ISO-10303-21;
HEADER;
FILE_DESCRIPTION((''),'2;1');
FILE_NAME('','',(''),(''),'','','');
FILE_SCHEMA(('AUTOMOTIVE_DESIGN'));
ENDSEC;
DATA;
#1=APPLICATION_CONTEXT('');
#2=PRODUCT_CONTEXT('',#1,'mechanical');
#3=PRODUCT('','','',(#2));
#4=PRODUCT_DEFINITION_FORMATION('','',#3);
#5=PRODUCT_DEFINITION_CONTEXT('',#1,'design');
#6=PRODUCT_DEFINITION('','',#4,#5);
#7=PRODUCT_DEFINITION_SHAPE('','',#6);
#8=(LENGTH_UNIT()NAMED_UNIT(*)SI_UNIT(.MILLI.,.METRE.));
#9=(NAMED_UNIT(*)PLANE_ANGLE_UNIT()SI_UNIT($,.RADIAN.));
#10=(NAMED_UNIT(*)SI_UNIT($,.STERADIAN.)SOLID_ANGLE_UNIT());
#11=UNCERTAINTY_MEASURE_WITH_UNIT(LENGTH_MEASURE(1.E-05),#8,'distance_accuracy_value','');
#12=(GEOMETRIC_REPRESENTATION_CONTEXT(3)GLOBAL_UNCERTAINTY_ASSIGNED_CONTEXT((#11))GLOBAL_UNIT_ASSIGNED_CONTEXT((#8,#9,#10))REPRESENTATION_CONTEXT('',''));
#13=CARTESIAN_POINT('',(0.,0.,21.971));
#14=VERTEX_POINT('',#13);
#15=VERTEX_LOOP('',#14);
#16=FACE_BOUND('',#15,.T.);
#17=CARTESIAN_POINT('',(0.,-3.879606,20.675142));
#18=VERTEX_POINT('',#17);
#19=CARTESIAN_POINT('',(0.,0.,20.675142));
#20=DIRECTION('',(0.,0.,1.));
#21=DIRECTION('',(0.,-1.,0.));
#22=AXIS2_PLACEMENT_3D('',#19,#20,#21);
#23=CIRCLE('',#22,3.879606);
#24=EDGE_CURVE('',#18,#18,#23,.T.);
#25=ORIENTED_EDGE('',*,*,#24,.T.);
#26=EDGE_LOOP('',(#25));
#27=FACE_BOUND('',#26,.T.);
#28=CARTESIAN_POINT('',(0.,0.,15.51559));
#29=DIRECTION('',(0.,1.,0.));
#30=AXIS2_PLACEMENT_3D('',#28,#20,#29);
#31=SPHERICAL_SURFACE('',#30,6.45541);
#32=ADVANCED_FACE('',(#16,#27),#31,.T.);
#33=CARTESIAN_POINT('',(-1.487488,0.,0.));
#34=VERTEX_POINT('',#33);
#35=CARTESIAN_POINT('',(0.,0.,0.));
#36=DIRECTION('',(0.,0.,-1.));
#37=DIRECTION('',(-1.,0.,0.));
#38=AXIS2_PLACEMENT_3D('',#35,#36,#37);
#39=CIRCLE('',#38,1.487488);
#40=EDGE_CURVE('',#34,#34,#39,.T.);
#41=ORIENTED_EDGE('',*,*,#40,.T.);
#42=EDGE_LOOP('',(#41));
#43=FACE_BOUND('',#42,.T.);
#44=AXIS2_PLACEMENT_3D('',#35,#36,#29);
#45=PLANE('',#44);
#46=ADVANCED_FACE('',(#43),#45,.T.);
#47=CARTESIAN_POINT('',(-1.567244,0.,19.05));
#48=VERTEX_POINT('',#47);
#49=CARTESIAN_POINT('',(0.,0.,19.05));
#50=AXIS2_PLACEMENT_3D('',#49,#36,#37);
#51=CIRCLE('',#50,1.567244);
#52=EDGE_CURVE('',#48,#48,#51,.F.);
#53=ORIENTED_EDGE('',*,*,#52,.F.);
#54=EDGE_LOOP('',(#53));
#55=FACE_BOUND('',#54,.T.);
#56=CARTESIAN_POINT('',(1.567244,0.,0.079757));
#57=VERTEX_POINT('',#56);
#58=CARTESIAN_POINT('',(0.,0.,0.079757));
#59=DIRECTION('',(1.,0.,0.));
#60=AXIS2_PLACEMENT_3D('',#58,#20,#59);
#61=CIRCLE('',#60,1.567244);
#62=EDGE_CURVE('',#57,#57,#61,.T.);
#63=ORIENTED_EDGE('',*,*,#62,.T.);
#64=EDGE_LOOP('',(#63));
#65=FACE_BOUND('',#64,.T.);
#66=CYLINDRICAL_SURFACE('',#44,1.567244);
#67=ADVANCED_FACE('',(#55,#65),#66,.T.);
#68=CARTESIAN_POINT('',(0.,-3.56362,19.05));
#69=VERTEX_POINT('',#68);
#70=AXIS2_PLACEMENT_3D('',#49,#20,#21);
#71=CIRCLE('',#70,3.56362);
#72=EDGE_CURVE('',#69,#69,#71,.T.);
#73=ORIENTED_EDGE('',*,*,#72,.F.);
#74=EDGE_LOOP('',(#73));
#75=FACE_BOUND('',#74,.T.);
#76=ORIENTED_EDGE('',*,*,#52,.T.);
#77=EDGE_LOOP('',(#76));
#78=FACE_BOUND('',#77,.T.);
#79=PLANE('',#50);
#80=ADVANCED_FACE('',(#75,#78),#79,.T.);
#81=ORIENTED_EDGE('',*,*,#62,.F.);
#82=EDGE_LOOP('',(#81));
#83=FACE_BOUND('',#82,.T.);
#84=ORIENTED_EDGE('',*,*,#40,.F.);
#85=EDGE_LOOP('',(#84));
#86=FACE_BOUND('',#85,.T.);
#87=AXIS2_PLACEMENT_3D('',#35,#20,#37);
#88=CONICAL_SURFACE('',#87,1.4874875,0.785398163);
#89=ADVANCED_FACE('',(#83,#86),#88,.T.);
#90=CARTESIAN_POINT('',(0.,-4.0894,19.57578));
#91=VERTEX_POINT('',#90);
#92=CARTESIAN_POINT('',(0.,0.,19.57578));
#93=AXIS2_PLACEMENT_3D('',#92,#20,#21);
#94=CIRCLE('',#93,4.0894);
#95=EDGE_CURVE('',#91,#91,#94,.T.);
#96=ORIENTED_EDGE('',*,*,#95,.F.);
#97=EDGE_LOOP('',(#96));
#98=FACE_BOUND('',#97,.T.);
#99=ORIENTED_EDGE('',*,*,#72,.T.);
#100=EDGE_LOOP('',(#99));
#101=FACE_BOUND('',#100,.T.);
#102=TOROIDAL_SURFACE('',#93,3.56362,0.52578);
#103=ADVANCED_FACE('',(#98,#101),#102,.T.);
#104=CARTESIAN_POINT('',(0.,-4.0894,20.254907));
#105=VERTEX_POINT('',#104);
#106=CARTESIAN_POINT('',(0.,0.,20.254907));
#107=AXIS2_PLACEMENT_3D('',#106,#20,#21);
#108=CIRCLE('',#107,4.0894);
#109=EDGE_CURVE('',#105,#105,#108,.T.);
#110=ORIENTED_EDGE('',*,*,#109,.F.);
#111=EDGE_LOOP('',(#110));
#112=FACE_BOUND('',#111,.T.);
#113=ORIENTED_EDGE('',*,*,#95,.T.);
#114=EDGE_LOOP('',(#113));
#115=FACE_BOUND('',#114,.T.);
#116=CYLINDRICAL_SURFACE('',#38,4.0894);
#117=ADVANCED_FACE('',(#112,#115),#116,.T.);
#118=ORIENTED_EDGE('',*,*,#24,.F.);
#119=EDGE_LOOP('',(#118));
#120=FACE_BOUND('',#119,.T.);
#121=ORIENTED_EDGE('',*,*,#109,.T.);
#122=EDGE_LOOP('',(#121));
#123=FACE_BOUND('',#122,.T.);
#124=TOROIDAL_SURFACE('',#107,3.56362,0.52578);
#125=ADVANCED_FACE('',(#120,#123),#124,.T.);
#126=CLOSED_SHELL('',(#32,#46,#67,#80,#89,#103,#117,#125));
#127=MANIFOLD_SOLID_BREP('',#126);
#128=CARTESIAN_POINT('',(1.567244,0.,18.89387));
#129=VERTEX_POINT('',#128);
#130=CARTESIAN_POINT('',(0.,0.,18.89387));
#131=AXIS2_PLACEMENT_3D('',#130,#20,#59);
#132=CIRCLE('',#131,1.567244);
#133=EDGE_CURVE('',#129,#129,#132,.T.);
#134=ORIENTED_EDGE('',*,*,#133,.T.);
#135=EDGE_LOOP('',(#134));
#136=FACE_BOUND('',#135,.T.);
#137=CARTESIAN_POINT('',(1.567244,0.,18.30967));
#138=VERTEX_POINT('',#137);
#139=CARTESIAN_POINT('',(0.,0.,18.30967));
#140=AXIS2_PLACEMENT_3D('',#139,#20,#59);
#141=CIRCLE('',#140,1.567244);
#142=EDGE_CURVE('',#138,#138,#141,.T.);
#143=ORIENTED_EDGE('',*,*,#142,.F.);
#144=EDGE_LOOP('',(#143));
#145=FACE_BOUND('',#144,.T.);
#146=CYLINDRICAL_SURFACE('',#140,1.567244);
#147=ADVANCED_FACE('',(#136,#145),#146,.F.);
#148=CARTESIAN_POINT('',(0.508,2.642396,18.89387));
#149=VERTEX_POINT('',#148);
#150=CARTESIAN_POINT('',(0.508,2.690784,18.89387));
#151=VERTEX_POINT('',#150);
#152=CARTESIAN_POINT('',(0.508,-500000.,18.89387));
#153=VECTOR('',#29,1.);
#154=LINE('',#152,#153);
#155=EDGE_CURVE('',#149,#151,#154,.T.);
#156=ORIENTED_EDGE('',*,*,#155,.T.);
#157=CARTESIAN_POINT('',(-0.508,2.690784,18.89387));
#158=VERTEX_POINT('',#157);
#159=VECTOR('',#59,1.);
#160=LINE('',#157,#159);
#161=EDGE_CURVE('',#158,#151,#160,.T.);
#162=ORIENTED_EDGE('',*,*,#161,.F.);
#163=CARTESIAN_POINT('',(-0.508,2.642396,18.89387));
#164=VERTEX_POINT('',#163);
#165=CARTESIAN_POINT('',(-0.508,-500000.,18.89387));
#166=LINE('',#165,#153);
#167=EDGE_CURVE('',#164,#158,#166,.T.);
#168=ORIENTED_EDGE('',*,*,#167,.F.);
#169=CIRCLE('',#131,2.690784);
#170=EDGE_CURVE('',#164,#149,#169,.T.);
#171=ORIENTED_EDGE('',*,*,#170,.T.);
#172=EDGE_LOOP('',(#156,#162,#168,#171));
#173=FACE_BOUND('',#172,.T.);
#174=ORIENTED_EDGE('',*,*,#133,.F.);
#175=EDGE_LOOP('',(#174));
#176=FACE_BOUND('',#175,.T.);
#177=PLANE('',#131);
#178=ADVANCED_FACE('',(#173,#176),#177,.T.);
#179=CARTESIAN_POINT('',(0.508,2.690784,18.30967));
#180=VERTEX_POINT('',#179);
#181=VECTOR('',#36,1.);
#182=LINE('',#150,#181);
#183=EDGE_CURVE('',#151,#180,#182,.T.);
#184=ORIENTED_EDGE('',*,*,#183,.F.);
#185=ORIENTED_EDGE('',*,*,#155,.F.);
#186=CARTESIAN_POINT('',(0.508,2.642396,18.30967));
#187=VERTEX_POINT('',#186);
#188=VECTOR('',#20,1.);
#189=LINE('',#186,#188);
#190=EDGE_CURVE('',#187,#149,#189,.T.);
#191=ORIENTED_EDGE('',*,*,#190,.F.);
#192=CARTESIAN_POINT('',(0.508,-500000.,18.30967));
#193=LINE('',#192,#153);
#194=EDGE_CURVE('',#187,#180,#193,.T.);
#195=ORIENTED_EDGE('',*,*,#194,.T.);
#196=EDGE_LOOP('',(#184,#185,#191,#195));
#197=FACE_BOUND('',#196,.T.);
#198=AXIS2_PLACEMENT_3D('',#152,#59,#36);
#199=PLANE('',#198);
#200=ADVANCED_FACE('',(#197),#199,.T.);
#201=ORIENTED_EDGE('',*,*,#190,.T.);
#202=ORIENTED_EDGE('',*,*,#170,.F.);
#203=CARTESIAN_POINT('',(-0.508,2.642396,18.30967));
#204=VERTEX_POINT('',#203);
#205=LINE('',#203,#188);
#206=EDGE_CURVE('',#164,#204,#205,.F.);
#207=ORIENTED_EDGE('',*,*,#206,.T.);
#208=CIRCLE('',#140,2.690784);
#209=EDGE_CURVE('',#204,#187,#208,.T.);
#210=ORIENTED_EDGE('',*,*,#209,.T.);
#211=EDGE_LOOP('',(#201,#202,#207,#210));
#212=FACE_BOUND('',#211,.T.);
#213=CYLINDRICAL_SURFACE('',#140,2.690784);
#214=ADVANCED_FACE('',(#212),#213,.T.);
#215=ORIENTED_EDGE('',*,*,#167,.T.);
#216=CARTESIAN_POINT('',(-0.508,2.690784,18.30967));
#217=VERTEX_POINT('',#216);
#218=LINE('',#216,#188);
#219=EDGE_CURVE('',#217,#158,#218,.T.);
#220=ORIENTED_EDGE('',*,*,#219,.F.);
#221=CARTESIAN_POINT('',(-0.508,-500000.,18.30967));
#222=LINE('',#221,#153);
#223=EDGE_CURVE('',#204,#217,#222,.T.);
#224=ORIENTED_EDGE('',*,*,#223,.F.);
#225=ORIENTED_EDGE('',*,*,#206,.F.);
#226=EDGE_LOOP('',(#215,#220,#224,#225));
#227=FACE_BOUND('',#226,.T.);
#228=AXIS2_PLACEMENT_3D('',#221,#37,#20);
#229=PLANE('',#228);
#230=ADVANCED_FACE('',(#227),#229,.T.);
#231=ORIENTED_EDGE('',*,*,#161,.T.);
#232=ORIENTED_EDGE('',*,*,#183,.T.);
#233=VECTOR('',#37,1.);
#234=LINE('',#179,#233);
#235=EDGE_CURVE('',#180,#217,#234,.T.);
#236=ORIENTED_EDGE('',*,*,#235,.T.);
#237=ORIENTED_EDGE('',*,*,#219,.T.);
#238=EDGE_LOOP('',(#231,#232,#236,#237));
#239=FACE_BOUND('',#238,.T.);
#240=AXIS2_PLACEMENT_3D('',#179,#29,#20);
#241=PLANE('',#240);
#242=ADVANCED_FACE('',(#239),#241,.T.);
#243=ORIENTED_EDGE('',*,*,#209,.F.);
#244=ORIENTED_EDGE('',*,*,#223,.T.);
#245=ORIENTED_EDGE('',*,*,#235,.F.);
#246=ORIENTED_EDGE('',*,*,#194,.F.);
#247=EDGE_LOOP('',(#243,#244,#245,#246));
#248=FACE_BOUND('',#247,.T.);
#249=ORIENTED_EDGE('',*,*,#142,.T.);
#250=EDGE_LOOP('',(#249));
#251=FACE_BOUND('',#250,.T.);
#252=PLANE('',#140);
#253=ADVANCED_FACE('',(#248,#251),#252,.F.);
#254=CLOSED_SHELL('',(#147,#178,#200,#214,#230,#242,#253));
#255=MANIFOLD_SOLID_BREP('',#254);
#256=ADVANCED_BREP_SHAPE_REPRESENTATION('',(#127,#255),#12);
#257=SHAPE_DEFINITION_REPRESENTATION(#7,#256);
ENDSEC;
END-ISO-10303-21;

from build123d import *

# Parameters (mm, degrees)
SKETCH3_W           = 19.05
SKETCH3_H           = 1.567244252
SKETCH38_OUTSIDE_W  = 49.402
SKETCH38_OUTSIDE_H  = 49.402
SKETCH38_OUTSIDE_R  = 1.4874875
EXTRUDE6_DEPTH      = 20.178503828
EXTRUDE6_DRAFT      = -45
SKETCH8_W           = 2.921
SKETCH8_H           = 4.0894
SKETCH21_R          = 2.690784338
SKETCH21_R_2        = 1.567244252
EXTRUDE2_DEPTH      = 0.5842
EXTRUDE3_REACH      = 25.354
EXTRUDE3_END_RADIUS = 2.690784338
SKETCH33_W          = 1.016
SKETCH33_H          = 0.5842


with BuildPart() as part:
    # Sketch3 → Revolve1 (revolve)
    with BuildSketch(Plane(origin=(0, 0, 0), x_dir=(0, 0, -1), z_dir=(1, 0, 0))):
        with Locations((-9.525, 0.783622126)):
            Rectangle(SKETCH3_W, SKETCH3_H)
    revolve(axis=Axis((0, 0, 0), (0, 0, 1)))


with BuildPart() as extrude6_tool:
    # Sketch38 outside → Extrude6 (with draft: the straight prism first)
    with BuildSketch(Plane(origin=(0, 0, 0), x_dir=(-1, 0, 0), z_dir=(0, 0, -1))):
        Rectangle(SKETCH38_OUTSIDE_W, SKETCH38_OUTSIDE_H)
        Circle(SKETCH38_OUTSIDE_R, mode=Mode.SUBTRACT)
    extrude(amount=-EXTRUDE6_DEPTH)
    # Extrude6: the draft: its side faces are tilted about the plane it starts from
    extrude6_sides = [extrude6_tool.faces().sort_by_distance(p)[0] for p in [
        (0, -24.701, 10.089251914),
        (-24.701, 0, 10.089251914),
        (0, 24.701, 10.089251914),
        (24.701, 0, 10.089251914),
        (1.4874875, 0, 10.089251914),
    ]]
    draft(extrude6_sides, Plane(origin=(0, 0, 0), x_dir=(-1, 0, 0), z_dir=(0, 0, -1)), EXTRUDE6_DRAFT)


with BuildPart() as part_1:
    add(part.part)

    # Extrude6: cut by extrude6_tool
    add(extrude6_tool.part, mode=Mode.SUBTRACT)

    # Sketch8 → Revolve2 (revolve)
    with BuildSketch(Plane(origin=(0, 0, 0), x_dir=(0, 0, -1), z_dir=(1, 0, 0)), mode=Mode.PRIVATE) as revolve2_sk:
        with Locations((-20.5105, 2.0447)):
            Rectangle(SKETCH8_W, SKETCH8_H)
    revolve(revolve2_sk.sketch.rotate(Axis((0, 0, 0), (0, 0, 1)), 90), axis=Axis((0, 0, 0), (0, 0, 1)))

    # Sketch11 → Cut-Revolve3 (revolve, cut)
    with BuildSketch(Plane(origin=(0, 0, 0), x_dir=(0, 0, -1), z_dir=(1, 0, 0)), mode=Mode.PRIVATE) as cut_revolve3_sk:
        with BuildLine():
            Line((-20.254906874, 4.0894), (-19.57578, 4.0894))
            ThreePointArc((-19.57578, 4.0894), (-19.203997397, 3.935402603), (-19.05, 3.56362))
            Line((-19.05, 3.56362), (-18.415, 3.56362))
            Line((-18.415, 3.56362), (-18.415, 4.7244))
            Line((-18.415, 4.7244), (-22.606, 4.7244))
            Line((-22.606, 4.7244), (-22.606, 0))
            Line((-22.606, 0), (-21.971, 0))
            ThreePointArc((-21.971, 0), (-21.638470898, 2.045152261), (-20.675141868, 3.87960601))
            ThreePointArc((-20.675141868, 3.87960601), (-20.489753083, 4.034036694), (-20.254906874, 4.0894))
        make_face()
    revolve(cut_revolve3_sk.sketch.rotate(Axis((0, 0, 21.971), (0, 0, -1)), 180), axis=Axis((0, 0, 21.971), (0, 0, -1)), mode=Mode.SUBTRACT)


with BuildPart() as body_2:
    # Sketch21 → Extrude2 (new body)
    with BuildSketch(Plane.XY.offset(18.893869553)):
        Circle(SKETCH21_R)
        Circle(SKETCH21_R_2, mode=Mode.SUBTRACT)
    extrude(amount=-EXTRUDE2_DEPTH)

    # Extrude3: up to this cylinder (the profile starts outside it)
    extrude3_end = Plane(origin=(0, 0, 18.60177), z_dir=(0, 0, 1)) * Cylinder(EXTRUDE3_END_RADIUS, 57.089568677, mode=Mode.PRIVATE)
    # Sketch33 → Extrude3 (add, up to the surface)
    with BuildSketch(Plane(origin=(0, 2.690784338, 0), x_dir=(-1, 0, 0), z_dir=(0, 1, 0)), mode=Mode.PRIVATE) as extrude3_sk1:
        with Locations((0, 18.601769553)):
            Rectangle(SKETCH33_W, SKETCH33_H)
    extrude3_tool1 = extrude(extrude3_sk1.sketch, amount=-EXTRUDE3_REACH, mode=Mode.PRIVATE) - extrude3_end
    add(extrude3_tool1.solids().sort_by_distance((0, 2.690784, 18.60177))[0])
    add(extrude3_tool1.solids().sort_by_distance((0, 2.690784, 18.60177))[1])


solid = Compound([part_1.part, body_2.part])
